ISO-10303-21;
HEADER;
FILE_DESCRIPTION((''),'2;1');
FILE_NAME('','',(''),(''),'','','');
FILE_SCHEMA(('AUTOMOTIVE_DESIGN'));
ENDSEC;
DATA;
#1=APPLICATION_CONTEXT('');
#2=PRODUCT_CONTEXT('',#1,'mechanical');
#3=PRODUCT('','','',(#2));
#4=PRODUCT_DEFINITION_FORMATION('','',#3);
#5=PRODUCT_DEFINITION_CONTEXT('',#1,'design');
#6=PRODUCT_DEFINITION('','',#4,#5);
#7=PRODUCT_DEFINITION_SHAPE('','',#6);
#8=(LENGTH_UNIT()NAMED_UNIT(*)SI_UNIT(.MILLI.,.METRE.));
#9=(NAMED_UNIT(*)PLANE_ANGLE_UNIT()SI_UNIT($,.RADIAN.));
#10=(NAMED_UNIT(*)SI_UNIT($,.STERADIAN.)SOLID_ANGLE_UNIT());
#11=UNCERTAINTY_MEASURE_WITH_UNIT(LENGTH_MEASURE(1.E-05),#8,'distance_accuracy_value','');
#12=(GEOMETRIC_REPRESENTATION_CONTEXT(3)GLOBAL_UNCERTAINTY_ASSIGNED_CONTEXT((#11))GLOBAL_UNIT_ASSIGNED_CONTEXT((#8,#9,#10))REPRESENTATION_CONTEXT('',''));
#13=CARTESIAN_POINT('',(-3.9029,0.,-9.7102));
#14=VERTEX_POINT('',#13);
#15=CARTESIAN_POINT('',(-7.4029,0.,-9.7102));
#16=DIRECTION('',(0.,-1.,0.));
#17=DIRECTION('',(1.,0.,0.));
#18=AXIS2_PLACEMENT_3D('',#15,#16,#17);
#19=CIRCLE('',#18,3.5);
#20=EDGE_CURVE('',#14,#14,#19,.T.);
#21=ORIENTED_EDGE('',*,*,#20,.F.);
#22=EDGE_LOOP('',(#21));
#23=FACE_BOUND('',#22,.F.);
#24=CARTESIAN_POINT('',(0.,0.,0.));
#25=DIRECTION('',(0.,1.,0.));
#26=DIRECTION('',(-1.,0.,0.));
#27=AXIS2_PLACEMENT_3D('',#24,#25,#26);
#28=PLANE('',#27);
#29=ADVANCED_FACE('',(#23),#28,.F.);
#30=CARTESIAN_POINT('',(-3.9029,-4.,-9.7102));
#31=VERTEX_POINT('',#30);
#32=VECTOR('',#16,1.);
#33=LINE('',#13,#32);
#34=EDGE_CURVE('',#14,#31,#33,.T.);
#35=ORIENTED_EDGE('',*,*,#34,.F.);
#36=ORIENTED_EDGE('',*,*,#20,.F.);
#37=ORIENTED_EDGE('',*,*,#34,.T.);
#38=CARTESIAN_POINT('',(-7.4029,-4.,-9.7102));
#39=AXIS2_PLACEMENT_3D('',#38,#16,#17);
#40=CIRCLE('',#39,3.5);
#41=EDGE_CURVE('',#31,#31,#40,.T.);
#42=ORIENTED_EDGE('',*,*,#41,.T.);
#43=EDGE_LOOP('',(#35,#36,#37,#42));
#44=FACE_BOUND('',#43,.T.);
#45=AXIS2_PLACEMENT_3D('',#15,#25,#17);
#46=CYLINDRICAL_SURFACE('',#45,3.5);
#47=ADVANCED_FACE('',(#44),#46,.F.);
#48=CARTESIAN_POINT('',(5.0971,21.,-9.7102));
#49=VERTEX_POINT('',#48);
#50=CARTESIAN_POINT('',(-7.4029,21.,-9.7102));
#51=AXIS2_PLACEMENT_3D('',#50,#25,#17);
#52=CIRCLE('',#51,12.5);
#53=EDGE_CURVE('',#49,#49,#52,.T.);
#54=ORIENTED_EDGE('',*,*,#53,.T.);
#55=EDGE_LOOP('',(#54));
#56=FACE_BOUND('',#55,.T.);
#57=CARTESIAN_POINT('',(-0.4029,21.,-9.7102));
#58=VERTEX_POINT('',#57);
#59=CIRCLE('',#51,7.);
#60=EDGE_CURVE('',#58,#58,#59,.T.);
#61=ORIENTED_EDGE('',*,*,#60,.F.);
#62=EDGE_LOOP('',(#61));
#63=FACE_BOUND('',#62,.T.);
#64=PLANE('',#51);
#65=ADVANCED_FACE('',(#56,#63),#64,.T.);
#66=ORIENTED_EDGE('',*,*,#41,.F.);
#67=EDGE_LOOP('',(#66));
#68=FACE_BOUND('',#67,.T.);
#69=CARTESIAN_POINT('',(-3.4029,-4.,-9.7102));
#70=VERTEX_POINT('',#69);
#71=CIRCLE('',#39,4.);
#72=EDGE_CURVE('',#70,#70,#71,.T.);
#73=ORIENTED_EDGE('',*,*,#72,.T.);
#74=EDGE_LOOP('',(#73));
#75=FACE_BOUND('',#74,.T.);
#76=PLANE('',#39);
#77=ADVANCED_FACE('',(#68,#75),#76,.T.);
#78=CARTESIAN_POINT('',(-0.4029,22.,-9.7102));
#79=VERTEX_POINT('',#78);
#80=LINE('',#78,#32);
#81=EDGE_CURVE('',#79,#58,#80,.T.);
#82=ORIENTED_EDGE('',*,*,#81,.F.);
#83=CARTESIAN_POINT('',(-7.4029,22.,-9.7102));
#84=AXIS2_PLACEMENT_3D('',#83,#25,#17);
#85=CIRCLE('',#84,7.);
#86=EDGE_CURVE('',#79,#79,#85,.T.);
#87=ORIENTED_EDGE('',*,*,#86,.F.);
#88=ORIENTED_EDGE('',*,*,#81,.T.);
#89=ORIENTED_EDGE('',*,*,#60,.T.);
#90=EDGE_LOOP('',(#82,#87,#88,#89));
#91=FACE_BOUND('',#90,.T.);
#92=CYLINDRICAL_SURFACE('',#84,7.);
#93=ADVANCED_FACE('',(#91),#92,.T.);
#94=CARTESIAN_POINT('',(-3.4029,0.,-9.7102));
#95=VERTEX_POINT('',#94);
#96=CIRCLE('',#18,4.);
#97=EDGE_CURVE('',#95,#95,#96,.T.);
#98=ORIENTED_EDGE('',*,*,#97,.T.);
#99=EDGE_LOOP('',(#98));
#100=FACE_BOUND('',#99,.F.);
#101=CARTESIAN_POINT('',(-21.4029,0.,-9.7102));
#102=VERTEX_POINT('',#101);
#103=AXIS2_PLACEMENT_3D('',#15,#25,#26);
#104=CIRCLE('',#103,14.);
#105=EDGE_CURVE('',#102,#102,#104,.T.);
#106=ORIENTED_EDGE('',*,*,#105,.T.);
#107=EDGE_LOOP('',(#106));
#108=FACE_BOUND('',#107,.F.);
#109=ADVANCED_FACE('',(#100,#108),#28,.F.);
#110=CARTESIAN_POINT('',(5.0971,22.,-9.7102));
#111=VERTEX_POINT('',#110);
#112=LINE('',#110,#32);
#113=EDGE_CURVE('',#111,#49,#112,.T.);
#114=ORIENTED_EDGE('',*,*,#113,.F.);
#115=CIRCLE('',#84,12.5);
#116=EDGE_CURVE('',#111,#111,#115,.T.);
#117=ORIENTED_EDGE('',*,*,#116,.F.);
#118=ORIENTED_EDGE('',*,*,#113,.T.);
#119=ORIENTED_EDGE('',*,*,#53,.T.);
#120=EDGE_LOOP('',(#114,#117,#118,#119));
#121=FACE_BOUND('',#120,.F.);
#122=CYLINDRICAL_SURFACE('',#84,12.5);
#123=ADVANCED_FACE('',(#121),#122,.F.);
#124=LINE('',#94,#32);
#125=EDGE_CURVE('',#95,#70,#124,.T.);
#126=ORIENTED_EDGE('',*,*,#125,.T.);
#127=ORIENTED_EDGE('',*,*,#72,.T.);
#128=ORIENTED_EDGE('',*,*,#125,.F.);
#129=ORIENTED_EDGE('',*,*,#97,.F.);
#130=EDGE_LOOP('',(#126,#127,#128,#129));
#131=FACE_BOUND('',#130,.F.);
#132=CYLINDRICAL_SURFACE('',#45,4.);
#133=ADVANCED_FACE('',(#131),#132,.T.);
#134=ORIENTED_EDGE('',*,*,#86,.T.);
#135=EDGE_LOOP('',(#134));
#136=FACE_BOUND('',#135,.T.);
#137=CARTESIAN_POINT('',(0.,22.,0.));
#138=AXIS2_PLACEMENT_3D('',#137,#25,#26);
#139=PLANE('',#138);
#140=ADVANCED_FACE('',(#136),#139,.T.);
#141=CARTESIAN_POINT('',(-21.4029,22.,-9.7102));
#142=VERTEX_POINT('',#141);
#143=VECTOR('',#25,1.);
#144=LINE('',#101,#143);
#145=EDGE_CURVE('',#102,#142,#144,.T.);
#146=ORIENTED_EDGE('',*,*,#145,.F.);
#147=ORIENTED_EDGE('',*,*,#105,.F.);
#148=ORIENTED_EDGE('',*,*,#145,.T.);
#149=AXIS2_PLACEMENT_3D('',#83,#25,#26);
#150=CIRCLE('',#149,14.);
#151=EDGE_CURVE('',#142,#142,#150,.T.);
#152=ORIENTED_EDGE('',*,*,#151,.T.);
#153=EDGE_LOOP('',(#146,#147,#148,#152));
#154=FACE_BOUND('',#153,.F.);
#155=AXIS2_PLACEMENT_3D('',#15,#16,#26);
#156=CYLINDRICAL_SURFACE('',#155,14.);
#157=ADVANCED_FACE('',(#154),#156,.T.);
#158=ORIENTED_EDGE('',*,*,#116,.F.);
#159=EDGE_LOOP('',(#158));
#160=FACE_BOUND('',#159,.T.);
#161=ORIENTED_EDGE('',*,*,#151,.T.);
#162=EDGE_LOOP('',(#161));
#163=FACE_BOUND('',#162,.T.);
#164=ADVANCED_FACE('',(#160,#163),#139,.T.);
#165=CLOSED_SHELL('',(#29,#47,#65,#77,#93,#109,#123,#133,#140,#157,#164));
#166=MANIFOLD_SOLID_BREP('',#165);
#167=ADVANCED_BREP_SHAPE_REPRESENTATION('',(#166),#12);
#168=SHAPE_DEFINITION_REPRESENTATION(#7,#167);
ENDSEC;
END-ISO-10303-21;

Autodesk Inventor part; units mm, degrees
ref_plane "YZ Plane" through (0, 0, 0) normal (1, 0, 0) x (0, 1, 0)
ref_plane "XZ Plane" through (0, 0, 0) normal (0, 1, 0) x (-1, 0, 0)
ref_plane "XY Plane" through (0, 0, 0) normal (0, 0, 1) x (1, 0, 0)
sketch "Эскиз1" plane through (0, 0, 0) normal (0, 1, 0) x (-1, 0, 0)
  circle A0 centre (7.4029, -9.7102) radius 14
  point P0 (0, 0)
  dimension "d0" = 28
extrude "Выдавливание1" add sketch "Эскиз1" along normal blind 22
sketch "Эскиз2" plane through (-7.4029, 22, -9.7102) normal (0, 1, 0) x (1, 0, 0)
  circle A0 centre (0, 0) radius 12.5
  circle A1 centre (0, 0) radius 7
  point P0 (7.4029, -9.7102)
  dimension "d6" = 25
  dimension "d7" = 14
extrude "Выдавливание2" cut sketch "Эскиз2" against normal blind 1
sketch "Эскиз3" plane through (-7.4029, 0, -9.7102) normal (0, -1, 0) x (1, 0, 0)
  circle A0 centre (0, 0) radius 4
  circle A1 centre (0, 0) radius 3.5
  point P0 (7.4029, 9.7102)
  dimension "d8" = 8
  dimension "d9" = 7
extrude "Выдавливание3" add sketch "Эскиз3" along normal blind 4
properties part number "магнит" material "Титан"
